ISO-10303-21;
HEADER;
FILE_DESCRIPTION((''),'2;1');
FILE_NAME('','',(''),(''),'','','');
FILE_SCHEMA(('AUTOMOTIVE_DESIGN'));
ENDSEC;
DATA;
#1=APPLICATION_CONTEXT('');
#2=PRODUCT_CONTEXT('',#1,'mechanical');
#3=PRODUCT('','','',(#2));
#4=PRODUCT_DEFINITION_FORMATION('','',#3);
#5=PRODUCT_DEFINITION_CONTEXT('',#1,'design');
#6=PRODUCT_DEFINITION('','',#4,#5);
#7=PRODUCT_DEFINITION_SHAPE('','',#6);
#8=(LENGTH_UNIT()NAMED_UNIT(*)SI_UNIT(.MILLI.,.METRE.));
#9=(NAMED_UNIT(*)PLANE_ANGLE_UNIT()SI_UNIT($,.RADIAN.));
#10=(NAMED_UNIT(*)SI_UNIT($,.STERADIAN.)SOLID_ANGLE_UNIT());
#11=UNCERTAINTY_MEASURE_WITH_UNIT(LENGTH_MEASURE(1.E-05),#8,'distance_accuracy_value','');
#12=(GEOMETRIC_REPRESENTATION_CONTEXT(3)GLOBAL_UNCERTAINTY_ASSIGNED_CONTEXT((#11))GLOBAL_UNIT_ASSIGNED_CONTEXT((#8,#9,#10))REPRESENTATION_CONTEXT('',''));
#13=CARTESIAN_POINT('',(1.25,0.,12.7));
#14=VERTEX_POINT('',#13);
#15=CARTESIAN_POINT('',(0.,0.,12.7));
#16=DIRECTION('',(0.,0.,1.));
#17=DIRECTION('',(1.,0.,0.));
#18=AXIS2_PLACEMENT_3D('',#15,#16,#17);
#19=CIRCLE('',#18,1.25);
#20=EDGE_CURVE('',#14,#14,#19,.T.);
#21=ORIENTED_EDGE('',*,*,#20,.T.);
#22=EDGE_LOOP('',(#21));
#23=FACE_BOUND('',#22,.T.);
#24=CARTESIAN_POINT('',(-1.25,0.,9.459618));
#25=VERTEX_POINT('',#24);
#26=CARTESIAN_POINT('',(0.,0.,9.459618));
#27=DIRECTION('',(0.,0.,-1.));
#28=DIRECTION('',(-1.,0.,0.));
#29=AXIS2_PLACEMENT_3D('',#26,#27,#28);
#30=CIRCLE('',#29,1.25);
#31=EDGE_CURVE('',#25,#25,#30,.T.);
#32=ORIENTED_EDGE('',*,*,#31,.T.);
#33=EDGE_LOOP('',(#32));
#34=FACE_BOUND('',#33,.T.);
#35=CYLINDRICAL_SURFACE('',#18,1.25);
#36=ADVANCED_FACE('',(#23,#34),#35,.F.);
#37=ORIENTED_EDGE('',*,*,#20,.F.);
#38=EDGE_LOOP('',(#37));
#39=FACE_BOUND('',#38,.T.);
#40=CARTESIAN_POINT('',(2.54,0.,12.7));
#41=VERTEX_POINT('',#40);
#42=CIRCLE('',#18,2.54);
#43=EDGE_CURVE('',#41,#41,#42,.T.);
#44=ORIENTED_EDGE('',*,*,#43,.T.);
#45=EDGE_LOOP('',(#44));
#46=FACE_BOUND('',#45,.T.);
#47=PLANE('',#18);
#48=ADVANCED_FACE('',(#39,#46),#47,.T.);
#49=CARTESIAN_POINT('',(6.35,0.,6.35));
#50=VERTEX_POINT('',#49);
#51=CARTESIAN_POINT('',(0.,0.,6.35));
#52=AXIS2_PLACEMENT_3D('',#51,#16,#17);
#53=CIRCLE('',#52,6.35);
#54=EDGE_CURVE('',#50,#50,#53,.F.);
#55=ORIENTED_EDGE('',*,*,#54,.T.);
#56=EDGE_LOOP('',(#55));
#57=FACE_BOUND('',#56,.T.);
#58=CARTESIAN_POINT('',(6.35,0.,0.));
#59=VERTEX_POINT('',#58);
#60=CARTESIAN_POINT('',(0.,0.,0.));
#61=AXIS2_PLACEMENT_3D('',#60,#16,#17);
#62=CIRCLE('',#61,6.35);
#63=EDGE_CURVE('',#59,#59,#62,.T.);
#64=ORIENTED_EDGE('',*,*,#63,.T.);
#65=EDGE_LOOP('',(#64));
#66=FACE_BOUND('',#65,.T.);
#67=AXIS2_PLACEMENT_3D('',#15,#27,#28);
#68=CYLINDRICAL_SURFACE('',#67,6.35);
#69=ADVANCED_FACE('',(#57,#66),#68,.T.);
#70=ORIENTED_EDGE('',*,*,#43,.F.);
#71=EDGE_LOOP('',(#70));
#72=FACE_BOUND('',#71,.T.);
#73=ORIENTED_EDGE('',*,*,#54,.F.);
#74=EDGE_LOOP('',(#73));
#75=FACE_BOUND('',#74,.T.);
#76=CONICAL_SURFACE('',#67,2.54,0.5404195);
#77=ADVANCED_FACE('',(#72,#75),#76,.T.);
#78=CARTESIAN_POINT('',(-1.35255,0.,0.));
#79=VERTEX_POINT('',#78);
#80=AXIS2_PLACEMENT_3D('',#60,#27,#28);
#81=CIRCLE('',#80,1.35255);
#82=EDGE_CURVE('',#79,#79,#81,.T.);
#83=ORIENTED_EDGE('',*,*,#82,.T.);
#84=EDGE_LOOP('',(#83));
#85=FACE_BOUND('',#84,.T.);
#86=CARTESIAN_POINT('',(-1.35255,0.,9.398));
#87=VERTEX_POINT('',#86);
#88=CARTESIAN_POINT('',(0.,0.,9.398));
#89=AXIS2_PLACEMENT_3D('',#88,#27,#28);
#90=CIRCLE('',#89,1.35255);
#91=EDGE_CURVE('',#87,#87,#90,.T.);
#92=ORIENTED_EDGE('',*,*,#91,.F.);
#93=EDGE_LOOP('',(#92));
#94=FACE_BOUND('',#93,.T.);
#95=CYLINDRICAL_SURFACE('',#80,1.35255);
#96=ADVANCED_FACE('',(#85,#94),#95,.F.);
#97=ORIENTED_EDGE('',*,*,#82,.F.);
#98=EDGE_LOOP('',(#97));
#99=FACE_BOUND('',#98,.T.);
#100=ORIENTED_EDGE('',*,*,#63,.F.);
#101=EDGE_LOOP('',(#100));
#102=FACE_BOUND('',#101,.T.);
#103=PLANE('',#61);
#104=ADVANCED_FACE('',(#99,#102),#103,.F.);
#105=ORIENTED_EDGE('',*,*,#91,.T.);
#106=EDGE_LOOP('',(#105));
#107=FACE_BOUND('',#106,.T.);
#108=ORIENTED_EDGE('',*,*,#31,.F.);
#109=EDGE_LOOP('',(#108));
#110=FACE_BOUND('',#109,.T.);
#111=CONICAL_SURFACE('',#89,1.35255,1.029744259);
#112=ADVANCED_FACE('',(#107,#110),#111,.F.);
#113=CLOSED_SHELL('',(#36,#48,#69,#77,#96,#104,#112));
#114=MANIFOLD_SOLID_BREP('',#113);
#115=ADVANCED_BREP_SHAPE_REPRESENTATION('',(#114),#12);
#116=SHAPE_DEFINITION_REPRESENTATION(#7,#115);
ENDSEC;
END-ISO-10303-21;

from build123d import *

# Parameters (mm, degrees)
SKETCH1_R                 = 6.35
BOSS_EXTRUDE1_DEPTH       = 12.7
M3X0_5_TAPPED_HOLE1_D     = 2.5
F_6_32_TAPPED_HOLE1_D     = 2.7051
F_6_32_TAPPED_HOLE1_DEPTH = 9.398
F_6_32_TAPPED_HOLE1_TIP   = 0.81269403
CHAMFER1_SIZE             = 6.35
CHAMFER1_SIZE2            = 3.81


with BuildPart() as part:
    # Sketch1 → Boss-Extrude1 (new body)
    with BuildSketch(Plane.XY):
        Circle(SKETCH1_R)
    extrude(amount=BOSS_EXTRUDE1_DEPTH)

    # M3x0.5 Tapped Hole1 (through all)
    with Locations(Plane.XY.offset(12.7)):
        with Locations((0, 0)):
            Hole(M3X0_5_TAPPED_HOLE1_D / 2)

    # #6-32 Tapped Hole1
    with Locations(Plane(origin=(0, 0, 0), x_dir=(-1, 0, 0), z_dir=(0, 0, -1))):
        with Locations((0, 0)):
            Hole(F_6_32_TAPPED_HOLE1_D / 2, depth=F_6_32_TAPPED_HOLE1_DEPTH)
            with Locations((0, 0, -(F_6_32_TAPPED_HOLE1_DEPTH + F_6_32_TAPPED_HOLE1_TIP / 2))):  # 118° drill point
                Cone(0, F_6_32_TAPPED_HOLE1_D / 2, F_6_32_TAPPED_HOLE1_TIP, mode=Mode.SUBTRACT)

    # Chamfer1
    chamfer1_edges = [part.edges().sort_by_distance(p)[0] for p in [
        (-6.35, 0, 12.7),
    ]]
    chamfer1_side = [part.faces().sort_by_distance(p)[0] for p in [
        (-6.35, 0, 6.35),
    ]]
    chamfer(chamfer1_edges, length=CHAMFER1_SIZE, length2=CHAMFER1_SIZE2, reference=chamfer1_side[0])


solid = part.part
